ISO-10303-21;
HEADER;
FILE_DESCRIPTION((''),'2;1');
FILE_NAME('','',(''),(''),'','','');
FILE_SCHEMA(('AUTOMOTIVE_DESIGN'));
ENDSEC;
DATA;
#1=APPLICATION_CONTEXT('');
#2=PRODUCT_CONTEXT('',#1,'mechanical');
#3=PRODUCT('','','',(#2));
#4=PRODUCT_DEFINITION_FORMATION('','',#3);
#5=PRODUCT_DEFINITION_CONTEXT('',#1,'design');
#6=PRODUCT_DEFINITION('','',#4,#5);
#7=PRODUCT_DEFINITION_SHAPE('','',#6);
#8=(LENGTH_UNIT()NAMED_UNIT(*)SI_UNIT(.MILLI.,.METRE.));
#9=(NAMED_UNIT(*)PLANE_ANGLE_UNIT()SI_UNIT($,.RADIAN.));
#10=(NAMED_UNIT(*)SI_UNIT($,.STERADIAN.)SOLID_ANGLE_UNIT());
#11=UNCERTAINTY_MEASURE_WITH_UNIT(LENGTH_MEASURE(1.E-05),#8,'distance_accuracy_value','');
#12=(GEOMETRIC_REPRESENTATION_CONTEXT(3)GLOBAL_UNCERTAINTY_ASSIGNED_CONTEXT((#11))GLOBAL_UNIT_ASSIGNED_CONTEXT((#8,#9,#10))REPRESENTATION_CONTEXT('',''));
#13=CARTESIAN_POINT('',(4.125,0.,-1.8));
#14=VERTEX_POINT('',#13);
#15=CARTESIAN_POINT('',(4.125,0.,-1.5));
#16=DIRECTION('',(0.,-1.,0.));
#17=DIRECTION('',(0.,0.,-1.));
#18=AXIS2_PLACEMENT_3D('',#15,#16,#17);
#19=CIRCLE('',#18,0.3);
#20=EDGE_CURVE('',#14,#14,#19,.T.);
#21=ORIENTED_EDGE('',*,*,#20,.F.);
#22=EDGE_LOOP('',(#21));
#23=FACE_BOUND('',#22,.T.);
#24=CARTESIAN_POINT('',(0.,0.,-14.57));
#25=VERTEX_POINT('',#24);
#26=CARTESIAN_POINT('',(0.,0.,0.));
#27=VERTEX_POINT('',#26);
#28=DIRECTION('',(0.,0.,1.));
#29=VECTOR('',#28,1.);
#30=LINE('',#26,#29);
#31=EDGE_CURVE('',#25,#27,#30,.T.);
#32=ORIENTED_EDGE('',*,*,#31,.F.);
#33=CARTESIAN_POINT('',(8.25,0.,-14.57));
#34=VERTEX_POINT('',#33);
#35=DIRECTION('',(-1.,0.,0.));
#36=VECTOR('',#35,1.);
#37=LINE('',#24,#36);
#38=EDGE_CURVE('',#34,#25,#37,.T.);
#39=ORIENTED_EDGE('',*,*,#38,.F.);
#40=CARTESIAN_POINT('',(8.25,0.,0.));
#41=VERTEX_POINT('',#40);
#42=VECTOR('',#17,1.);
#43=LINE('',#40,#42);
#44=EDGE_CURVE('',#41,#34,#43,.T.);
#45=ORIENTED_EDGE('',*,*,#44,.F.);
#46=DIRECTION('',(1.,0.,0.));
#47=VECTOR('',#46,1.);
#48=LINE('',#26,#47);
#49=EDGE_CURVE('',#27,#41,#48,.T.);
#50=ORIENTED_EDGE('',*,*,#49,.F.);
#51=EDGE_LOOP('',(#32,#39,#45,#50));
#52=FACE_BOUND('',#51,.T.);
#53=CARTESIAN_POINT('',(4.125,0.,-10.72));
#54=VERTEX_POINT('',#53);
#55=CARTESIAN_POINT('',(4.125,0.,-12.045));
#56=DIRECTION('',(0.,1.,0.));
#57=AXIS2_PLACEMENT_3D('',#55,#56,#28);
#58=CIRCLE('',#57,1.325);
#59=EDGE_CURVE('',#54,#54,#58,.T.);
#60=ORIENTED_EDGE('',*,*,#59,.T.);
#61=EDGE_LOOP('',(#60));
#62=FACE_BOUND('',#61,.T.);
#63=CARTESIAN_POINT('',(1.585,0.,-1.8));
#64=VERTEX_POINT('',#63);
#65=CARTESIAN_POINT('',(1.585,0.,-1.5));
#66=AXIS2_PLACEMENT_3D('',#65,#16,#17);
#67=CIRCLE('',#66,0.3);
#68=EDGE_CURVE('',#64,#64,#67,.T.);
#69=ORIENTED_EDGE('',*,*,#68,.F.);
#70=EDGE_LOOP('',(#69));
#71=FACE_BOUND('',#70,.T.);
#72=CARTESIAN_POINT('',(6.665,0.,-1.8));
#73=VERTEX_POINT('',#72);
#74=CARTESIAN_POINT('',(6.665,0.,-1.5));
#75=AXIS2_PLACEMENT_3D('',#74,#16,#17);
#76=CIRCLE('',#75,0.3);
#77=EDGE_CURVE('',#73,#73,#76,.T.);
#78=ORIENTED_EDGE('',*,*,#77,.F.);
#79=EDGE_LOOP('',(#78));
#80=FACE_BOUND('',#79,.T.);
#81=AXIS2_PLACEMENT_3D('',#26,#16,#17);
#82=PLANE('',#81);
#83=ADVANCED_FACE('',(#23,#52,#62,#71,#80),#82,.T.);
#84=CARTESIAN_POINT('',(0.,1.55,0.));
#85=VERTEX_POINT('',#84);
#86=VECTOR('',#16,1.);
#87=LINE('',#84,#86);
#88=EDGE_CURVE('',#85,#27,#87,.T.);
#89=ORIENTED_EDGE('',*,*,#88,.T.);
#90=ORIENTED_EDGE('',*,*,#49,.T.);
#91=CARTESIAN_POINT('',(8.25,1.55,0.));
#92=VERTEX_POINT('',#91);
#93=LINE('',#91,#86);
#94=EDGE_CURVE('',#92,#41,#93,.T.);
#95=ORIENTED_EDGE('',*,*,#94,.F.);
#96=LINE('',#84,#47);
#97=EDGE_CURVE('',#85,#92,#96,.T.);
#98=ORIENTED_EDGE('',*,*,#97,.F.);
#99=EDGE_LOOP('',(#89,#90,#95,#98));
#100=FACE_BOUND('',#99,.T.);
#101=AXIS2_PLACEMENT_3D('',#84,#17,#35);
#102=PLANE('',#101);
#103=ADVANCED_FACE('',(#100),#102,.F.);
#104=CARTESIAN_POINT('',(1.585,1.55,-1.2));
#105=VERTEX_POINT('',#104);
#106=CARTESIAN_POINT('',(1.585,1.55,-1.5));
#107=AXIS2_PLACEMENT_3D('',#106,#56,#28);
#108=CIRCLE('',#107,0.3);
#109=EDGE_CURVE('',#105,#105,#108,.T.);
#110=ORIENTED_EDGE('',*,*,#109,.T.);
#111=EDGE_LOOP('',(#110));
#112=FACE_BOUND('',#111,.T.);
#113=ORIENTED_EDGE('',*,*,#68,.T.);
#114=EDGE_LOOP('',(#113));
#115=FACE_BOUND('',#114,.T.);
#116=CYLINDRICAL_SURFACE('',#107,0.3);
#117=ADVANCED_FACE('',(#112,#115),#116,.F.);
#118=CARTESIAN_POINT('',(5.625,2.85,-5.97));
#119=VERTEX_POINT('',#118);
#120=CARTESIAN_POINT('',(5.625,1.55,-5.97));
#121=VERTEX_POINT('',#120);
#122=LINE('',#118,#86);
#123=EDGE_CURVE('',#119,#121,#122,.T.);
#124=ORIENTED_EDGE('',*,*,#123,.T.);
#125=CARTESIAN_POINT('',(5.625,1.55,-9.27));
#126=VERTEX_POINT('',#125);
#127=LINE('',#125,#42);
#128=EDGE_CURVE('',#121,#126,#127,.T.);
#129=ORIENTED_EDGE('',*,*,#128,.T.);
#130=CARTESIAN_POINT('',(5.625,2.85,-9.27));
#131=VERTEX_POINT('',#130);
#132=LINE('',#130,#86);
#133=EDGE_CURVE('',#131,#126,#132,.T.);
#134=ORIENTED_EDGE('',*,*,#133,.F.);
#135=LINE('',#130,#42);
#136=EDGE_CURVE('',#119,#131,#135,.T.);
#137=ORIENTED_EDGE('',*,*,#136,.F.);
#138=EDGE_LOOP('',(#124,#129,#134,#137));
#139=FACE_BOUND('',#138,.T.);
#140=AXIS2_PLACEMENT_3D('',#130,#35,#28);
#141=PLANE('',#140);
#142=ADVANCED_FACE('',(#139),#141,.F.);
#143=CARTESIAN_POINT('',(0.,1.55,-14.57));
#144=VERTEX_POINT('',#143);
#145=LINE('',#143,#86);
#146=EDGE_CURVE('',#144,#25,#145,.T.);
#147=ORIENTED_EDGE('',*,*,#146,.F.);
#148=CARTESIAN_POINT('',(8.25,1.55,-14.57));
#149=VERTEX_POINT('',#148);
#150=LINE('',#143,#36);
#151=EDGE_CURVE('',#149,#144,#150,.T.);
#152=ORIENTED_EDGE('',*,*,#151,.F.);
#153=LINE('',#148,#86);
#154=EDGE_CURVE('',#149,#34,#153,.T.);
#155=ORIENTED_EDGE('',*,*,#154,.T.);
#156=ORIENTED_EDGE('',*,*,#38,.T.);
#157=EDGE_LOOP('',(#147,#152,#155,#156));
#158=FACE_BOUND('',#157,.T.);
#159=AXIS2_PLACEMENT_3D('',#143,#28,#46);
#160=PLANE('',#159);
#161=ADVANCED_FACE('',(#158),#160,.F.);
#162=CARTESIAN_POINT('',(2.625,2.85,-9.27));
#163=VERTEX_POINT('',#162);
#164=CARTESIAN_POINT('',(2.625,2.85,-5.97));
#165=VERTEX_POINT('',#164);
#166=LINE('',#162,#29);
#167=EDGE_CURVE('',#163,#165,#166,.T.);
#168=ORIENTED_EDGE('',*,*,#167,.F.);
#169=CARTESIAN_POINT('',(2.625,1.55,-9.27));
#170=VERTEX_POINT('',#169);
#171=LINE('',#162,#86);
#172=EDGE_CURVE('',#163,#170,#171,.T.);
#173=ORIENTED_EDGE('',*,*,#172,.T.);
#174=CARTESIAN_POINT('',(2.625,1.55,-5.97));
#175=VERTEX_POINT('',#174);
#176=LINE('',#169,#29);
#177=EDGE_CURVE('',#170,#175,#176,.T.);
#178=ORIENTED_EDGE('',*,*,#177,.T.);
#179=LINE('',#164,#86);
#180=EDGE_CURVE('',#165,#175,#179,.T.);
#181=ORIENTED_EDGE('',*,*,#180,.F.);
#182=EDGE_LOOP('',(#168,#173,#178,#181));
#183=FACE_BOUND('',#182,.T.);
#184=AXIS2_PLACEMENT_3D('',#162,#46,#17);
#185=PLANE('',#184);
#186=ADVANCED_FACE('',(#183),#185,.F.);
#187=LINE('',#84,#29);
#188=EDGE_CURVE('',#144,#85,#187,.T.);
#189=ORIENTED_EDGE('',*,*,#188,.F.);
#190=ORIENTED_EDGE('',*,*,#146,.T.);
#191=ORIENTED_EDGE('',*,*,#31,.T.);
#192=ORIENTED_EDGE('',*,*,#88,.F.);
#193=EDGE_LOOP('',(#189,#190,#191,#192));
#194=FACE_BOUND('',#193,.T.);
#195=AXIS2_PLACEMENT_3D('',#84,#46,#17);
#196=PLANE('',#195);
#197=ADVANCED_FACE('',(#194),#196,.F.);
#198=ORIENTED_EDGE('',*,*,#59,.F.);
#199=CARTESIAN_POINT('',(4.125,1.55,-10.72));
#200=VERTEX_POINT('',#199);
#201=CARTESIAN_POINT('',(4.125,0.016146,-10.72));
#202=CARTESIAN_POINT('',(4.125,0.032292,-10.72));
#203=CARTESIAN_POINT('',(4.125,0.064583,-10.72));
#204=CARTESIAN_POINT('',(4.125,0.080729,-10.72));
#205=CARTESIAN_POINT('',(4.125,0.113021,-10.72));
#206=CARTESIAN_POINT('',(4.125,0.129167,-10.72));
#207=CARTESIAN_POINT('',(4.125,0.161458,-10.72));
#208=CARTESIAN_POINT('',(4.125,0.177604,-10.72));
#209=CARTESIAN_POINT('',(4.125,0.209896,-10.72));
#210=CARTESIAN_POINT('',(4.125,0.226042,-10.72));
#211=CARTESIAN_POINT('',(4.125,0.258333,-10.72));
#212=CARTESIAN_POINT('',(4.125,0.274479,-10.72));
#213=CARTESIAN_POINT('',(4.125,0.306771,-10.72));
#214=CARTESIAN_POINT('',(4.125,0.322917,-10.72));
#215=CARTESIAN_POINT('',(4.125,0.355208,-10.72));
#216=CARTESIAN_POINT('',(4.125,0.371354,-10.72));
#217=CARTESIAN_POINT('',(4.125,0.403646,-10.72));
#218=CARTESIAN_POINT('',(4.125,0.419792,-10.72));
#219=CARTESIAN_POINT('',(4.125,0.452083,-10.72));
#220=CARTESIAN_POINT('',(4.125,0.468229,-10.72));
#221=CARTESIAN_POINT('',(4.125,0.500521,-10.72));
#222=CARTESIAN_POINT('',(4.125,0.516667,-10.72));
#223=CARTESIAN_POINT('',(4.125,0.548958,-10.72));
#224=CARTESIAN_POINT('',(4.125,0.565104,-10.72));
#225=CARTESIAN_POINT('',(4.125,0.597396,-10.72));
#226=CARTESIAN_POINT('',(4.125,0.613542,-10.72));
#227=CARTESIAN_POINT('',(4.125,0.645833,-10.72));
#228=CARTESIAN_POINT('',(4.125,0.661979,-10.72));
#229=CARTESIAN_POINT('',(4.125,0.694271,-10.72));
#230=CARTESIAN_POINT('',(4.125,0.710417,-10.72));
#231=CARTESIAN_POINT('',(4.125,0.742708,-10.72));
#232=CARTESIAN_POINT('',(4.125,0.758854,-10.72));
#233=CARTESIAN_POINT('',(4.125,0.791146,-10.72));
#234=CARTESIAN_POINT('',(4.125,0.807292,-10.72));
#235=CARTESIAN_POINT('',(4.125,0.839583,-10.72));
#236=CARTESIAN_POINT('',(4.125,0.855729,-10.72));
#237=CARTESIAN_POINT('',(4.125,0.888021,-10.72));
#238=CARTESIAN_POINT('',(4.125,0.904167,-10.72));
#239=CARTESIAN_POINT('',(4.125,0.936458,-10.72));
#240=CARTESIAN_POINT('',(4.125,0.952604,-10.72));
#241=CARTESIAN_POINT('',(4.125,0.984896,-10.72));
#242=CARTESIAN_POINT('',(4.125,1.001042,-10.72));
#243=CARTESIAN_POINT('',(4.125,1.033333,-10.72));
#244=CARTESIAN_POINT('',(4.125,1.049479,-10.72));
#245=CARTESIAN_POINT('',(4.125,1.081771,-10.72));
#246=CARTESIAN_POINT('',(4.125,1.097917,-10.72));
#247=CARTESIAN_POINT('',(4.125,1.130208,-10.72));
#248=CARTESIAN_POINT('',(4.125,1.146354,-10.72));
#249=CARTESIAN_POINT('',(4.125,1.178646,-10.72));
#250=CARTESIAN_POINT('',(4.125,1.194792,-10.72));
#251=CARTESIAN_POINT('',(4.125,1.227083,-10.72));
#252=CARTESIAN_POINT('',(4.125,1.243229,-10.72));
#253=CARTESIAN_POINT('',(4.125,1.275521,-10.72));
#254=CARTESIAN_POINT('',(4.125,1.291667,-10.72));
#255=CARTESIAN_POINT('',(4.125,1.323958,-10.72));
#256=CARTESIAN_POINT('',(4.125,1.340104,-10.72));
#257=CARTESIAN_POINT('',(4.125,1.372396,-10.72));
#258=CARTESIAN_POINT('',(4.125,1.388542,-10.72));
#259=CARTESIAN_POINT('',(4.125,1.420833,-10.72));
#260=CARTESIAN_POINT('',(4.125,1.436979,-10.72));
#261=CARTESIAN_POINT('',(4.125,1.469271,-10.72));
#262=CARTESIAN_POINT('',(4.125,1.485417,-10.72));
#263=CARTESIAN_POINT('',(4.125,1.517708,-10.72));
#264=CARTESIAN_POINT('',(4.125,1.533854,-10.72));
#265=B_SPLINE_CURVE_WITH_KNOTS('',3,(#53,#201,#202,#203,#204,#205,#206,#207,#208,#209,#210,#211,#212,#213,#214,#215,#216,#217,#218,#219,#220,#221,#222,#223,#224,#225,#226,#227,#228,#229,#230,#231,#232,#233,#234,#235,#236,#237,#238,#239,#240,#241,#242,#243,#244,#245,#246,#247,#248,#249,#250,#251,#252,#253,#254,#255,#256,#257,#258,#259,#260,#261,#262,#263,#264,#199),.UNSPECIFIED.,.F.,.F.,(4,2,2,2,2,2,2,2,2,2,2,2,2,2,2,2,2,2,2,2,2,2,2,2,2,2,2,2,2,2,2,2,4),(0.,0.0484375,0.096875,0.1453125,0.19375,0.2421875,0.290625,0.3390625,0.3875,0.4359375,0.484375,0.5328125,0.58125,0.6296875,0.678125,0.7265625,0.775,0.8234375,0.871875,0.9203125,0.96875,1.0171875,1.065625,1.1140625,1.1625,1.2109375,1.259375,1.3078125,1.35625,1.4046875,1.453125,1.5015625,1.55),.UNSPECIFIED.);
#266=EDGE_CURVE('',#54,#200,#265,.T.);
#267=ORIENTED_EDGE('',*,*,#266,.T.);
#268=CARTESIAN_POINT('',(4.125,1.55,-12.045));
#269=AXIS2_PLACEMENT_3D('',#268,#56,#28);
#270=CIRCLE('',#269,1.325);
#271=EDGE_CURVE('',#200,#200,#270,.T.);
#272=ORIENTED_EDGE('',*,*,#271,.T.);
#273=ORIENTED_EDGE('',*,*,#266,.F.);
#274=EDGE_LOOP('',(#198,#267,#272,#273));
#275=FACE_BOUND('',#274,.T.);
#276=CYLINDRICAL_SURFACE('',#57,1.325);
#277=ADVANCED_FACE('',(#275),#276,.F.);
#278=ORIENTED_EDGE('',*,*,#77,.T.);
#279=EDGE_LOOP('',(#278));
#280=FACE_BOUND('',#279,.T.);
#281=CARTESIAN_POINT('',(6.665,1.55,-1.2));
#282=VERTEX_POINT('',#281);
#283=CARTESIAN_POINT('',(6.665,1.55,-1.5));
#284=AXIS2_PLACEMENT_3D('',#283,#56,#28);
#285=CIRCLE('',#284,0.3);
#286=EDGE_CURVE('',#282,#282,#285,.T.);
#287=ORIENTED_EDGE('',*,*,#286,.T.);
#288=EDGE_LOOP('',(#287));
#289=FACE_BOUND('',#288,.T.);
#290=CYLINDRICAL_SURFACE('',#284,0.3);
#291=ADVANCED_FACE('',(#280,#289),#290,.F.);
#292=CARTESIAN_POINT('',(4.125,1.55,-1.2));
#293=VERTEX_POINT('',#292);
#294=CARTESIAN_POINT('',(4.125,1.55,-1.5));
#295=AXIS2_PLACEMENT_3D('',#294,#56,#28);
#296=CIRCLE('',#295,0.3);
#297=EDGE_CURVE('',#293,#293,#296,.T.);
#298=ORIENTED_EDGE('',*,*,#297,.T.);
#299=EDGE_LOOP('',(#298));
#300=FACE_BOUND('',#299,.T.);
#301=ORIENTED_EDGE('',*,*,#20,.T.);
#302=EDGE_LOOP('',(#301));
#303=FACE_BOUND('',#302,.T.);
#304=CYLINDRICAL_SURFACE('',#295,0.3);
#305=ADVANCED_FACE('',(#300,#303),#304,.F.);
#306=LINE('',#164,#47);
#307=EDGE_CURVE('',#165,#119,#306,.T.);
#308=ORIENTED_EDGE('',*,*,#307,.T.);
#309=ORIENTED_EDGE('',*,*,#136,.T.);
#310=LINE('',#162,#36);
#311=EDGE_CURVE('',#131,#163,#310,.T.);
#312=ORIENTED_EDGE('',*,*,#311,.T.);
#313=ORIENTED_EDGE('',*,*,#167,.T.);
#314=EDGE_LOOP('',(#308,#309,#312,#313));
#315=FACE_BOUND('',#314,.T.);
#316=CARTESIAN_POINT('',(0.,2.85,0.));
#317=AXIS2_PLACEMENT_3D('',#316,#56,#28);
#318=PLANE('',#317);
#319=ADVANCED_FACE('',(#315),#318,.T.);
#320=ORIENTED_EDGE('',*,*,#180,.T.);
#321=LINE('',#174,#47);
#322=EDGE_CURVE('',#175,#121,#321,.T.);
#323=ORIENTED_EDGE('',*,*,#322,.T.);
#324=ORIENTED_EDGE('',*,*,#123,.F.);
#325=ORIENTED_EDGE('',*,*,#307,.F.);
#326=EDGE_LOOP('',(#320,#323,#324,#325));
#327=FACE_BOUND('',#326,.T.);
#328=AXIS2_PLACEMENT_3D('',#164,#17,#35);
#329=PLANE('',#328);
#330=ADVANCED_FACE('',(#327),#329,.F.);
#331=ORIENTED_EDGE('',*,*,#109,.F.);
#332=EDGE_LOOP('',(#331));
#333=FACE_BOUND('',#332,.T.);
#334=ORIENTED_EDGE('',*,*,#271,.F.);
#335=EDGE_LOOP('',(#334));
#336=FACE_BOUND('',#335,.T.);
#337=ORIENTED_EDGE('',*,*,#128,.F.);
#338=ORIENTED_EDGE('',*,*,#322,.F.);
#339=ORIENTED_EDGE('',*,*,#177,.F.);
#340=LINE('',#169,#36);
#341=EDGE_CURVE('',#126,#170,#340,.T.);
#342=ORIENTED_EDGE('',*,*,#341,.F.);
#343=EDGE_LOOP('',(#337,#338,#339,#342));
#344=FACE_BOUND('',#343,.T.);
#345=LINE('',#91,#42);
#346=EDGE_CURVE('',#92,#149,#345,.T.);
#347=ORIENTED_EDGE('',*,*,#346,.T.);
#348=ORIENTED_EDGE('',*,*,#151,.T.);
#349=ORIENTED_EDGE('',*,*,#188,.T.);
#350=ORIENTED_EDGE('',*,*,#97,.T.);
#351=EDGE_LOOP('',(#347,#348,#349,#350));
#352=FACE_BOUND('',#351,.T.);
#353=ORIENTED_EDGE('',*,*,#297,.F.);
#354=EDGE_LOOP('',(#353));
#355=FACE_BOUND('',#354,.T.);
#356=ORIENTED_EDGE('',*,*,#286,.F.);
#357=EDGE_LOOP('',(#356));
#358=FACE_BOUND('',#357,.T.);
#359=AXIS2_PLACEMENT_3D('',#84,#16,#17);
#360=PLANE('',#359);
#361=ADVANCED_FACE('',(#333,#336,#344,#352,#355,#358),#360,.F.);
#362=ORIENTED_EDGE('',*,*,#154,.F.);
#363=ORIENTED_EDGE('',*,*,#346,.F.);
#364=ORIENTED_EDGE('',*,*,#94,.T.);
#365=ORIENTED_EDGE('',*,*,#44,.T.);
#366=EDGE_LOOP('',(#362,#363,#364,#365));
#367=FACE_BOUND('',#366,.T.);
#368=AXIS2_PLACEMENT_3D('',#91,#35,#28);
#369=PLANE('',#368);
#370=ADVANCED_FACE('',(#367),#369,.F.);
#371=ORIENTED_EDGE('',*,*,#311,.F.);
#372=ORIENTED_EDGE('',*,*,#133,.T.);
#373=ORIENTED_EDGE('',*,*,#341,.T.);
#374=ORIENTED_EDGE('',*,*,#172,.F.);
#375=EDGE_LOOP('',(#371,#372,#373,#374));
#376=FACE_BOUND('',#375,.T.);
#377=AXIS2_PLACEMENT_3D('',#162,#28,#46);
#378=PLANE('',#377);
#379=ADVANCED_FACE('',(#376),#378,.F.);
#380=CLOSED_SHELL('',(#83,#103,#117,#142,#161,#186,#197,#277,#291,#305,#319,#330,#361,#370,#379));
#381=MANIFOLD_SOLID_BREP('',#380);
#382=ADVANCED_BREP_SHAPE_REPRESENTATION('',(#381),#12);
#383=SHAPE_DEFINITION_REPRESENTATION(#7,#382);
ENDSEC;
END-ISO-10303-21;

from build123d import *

# Parameters (mm, degrees)
SKETCH1_W                      = 8.25
SKETCH1_H                      = 14.57
BOSS_EXTRUDE1_DEPTH            = 1.55
SKETCH2_R                      = 1.325
CUT_EXTRUDE1_DEPTH             = 17.815168747
SKETCH3_W                      = 3
SKETCH3_H                      = 3.3
BOSS_EXTRUDE2_DEPTH            = 1.3
F_0_6_0_6_DIAMETER_HOLE1_D     = 0.6
F_0_6_0_6_DIAMETER_HOLE1_DEPTH = 2
F_0_6_0_6_DIAMETER_HOLE1_TIP   = 0.180258186


with BuildPart() as part:
    # Sketch1 → Boss-Extrude1 (new body)
    with BuildSketch(Plane(origin=(0, 0, 0), x_dir=(1, 0, 0), z_dir=(0, 1, 0))):
        with Locations((4.125, 7.285)):
            Rectangle(SKETCH1_W, SKETCH1_H)
    extrude(amount=BOSS_EXTRUDE1_DEPTH)

    # Sketch2 → Cut-Extrude1 (cut, through all)
    with BuildSketch(Plane(origin=(0, 1.55, 0), x_dir=(1, 0, 0), z_dir=(0, 1, 0))):
        with Locations(Location((4.125, 12.045, 0), (0, 0, 270))):
            Circle(SKETCH2_R)
    extrude(amount=-CUT_EXTRUDE1_DEPTH, mode=Mode.SUBTRACT)

    # Sketch3 → Boss-Extrude2 (add)
    with BuildSketch(Plane(origin=(0, 1.55, 0), x_dir=(1, 0, 0), z_dir=(0, 1, 0))):
        with Locations((4.125, 7.62)):
            Rectangle(SKETCH3_W, SKETCH3_H)
    extrude(amount=BOSS_EXTRUDE2_DEPTH)

    # Ø0.6 (0.6) Diameter Hole1
    with Locations(Plane(origin=(0, 1.55, 0), x_dir=(1, 0, 0), z_dir=(0, 1, 0))):
        with Locations((4.125, 1.5), (1.585, 1.5), (6.665, 1.5)):
            Hole(F_0_6_0_6_DIAMETER_HOLE1_D / 2, depth=F_0_6_0_6_DIAMETER_HOLE1_DEPTH)
            with Locations((0, 0, -(F_0_6_0_6_DIAMETER_HOLE1_DEPTH + F_0_6_0_6_DIAMETER_HOLE1_TIP / 2))):  # 118° drill point
                Cone(0, F_0_6_0_6_DIAMETER_HOLE1_D / 2, F_0_6_0_6_DIAMETER_HOLE1_TIP, mode=Mode.SUBTRACT)


solid = part.part
